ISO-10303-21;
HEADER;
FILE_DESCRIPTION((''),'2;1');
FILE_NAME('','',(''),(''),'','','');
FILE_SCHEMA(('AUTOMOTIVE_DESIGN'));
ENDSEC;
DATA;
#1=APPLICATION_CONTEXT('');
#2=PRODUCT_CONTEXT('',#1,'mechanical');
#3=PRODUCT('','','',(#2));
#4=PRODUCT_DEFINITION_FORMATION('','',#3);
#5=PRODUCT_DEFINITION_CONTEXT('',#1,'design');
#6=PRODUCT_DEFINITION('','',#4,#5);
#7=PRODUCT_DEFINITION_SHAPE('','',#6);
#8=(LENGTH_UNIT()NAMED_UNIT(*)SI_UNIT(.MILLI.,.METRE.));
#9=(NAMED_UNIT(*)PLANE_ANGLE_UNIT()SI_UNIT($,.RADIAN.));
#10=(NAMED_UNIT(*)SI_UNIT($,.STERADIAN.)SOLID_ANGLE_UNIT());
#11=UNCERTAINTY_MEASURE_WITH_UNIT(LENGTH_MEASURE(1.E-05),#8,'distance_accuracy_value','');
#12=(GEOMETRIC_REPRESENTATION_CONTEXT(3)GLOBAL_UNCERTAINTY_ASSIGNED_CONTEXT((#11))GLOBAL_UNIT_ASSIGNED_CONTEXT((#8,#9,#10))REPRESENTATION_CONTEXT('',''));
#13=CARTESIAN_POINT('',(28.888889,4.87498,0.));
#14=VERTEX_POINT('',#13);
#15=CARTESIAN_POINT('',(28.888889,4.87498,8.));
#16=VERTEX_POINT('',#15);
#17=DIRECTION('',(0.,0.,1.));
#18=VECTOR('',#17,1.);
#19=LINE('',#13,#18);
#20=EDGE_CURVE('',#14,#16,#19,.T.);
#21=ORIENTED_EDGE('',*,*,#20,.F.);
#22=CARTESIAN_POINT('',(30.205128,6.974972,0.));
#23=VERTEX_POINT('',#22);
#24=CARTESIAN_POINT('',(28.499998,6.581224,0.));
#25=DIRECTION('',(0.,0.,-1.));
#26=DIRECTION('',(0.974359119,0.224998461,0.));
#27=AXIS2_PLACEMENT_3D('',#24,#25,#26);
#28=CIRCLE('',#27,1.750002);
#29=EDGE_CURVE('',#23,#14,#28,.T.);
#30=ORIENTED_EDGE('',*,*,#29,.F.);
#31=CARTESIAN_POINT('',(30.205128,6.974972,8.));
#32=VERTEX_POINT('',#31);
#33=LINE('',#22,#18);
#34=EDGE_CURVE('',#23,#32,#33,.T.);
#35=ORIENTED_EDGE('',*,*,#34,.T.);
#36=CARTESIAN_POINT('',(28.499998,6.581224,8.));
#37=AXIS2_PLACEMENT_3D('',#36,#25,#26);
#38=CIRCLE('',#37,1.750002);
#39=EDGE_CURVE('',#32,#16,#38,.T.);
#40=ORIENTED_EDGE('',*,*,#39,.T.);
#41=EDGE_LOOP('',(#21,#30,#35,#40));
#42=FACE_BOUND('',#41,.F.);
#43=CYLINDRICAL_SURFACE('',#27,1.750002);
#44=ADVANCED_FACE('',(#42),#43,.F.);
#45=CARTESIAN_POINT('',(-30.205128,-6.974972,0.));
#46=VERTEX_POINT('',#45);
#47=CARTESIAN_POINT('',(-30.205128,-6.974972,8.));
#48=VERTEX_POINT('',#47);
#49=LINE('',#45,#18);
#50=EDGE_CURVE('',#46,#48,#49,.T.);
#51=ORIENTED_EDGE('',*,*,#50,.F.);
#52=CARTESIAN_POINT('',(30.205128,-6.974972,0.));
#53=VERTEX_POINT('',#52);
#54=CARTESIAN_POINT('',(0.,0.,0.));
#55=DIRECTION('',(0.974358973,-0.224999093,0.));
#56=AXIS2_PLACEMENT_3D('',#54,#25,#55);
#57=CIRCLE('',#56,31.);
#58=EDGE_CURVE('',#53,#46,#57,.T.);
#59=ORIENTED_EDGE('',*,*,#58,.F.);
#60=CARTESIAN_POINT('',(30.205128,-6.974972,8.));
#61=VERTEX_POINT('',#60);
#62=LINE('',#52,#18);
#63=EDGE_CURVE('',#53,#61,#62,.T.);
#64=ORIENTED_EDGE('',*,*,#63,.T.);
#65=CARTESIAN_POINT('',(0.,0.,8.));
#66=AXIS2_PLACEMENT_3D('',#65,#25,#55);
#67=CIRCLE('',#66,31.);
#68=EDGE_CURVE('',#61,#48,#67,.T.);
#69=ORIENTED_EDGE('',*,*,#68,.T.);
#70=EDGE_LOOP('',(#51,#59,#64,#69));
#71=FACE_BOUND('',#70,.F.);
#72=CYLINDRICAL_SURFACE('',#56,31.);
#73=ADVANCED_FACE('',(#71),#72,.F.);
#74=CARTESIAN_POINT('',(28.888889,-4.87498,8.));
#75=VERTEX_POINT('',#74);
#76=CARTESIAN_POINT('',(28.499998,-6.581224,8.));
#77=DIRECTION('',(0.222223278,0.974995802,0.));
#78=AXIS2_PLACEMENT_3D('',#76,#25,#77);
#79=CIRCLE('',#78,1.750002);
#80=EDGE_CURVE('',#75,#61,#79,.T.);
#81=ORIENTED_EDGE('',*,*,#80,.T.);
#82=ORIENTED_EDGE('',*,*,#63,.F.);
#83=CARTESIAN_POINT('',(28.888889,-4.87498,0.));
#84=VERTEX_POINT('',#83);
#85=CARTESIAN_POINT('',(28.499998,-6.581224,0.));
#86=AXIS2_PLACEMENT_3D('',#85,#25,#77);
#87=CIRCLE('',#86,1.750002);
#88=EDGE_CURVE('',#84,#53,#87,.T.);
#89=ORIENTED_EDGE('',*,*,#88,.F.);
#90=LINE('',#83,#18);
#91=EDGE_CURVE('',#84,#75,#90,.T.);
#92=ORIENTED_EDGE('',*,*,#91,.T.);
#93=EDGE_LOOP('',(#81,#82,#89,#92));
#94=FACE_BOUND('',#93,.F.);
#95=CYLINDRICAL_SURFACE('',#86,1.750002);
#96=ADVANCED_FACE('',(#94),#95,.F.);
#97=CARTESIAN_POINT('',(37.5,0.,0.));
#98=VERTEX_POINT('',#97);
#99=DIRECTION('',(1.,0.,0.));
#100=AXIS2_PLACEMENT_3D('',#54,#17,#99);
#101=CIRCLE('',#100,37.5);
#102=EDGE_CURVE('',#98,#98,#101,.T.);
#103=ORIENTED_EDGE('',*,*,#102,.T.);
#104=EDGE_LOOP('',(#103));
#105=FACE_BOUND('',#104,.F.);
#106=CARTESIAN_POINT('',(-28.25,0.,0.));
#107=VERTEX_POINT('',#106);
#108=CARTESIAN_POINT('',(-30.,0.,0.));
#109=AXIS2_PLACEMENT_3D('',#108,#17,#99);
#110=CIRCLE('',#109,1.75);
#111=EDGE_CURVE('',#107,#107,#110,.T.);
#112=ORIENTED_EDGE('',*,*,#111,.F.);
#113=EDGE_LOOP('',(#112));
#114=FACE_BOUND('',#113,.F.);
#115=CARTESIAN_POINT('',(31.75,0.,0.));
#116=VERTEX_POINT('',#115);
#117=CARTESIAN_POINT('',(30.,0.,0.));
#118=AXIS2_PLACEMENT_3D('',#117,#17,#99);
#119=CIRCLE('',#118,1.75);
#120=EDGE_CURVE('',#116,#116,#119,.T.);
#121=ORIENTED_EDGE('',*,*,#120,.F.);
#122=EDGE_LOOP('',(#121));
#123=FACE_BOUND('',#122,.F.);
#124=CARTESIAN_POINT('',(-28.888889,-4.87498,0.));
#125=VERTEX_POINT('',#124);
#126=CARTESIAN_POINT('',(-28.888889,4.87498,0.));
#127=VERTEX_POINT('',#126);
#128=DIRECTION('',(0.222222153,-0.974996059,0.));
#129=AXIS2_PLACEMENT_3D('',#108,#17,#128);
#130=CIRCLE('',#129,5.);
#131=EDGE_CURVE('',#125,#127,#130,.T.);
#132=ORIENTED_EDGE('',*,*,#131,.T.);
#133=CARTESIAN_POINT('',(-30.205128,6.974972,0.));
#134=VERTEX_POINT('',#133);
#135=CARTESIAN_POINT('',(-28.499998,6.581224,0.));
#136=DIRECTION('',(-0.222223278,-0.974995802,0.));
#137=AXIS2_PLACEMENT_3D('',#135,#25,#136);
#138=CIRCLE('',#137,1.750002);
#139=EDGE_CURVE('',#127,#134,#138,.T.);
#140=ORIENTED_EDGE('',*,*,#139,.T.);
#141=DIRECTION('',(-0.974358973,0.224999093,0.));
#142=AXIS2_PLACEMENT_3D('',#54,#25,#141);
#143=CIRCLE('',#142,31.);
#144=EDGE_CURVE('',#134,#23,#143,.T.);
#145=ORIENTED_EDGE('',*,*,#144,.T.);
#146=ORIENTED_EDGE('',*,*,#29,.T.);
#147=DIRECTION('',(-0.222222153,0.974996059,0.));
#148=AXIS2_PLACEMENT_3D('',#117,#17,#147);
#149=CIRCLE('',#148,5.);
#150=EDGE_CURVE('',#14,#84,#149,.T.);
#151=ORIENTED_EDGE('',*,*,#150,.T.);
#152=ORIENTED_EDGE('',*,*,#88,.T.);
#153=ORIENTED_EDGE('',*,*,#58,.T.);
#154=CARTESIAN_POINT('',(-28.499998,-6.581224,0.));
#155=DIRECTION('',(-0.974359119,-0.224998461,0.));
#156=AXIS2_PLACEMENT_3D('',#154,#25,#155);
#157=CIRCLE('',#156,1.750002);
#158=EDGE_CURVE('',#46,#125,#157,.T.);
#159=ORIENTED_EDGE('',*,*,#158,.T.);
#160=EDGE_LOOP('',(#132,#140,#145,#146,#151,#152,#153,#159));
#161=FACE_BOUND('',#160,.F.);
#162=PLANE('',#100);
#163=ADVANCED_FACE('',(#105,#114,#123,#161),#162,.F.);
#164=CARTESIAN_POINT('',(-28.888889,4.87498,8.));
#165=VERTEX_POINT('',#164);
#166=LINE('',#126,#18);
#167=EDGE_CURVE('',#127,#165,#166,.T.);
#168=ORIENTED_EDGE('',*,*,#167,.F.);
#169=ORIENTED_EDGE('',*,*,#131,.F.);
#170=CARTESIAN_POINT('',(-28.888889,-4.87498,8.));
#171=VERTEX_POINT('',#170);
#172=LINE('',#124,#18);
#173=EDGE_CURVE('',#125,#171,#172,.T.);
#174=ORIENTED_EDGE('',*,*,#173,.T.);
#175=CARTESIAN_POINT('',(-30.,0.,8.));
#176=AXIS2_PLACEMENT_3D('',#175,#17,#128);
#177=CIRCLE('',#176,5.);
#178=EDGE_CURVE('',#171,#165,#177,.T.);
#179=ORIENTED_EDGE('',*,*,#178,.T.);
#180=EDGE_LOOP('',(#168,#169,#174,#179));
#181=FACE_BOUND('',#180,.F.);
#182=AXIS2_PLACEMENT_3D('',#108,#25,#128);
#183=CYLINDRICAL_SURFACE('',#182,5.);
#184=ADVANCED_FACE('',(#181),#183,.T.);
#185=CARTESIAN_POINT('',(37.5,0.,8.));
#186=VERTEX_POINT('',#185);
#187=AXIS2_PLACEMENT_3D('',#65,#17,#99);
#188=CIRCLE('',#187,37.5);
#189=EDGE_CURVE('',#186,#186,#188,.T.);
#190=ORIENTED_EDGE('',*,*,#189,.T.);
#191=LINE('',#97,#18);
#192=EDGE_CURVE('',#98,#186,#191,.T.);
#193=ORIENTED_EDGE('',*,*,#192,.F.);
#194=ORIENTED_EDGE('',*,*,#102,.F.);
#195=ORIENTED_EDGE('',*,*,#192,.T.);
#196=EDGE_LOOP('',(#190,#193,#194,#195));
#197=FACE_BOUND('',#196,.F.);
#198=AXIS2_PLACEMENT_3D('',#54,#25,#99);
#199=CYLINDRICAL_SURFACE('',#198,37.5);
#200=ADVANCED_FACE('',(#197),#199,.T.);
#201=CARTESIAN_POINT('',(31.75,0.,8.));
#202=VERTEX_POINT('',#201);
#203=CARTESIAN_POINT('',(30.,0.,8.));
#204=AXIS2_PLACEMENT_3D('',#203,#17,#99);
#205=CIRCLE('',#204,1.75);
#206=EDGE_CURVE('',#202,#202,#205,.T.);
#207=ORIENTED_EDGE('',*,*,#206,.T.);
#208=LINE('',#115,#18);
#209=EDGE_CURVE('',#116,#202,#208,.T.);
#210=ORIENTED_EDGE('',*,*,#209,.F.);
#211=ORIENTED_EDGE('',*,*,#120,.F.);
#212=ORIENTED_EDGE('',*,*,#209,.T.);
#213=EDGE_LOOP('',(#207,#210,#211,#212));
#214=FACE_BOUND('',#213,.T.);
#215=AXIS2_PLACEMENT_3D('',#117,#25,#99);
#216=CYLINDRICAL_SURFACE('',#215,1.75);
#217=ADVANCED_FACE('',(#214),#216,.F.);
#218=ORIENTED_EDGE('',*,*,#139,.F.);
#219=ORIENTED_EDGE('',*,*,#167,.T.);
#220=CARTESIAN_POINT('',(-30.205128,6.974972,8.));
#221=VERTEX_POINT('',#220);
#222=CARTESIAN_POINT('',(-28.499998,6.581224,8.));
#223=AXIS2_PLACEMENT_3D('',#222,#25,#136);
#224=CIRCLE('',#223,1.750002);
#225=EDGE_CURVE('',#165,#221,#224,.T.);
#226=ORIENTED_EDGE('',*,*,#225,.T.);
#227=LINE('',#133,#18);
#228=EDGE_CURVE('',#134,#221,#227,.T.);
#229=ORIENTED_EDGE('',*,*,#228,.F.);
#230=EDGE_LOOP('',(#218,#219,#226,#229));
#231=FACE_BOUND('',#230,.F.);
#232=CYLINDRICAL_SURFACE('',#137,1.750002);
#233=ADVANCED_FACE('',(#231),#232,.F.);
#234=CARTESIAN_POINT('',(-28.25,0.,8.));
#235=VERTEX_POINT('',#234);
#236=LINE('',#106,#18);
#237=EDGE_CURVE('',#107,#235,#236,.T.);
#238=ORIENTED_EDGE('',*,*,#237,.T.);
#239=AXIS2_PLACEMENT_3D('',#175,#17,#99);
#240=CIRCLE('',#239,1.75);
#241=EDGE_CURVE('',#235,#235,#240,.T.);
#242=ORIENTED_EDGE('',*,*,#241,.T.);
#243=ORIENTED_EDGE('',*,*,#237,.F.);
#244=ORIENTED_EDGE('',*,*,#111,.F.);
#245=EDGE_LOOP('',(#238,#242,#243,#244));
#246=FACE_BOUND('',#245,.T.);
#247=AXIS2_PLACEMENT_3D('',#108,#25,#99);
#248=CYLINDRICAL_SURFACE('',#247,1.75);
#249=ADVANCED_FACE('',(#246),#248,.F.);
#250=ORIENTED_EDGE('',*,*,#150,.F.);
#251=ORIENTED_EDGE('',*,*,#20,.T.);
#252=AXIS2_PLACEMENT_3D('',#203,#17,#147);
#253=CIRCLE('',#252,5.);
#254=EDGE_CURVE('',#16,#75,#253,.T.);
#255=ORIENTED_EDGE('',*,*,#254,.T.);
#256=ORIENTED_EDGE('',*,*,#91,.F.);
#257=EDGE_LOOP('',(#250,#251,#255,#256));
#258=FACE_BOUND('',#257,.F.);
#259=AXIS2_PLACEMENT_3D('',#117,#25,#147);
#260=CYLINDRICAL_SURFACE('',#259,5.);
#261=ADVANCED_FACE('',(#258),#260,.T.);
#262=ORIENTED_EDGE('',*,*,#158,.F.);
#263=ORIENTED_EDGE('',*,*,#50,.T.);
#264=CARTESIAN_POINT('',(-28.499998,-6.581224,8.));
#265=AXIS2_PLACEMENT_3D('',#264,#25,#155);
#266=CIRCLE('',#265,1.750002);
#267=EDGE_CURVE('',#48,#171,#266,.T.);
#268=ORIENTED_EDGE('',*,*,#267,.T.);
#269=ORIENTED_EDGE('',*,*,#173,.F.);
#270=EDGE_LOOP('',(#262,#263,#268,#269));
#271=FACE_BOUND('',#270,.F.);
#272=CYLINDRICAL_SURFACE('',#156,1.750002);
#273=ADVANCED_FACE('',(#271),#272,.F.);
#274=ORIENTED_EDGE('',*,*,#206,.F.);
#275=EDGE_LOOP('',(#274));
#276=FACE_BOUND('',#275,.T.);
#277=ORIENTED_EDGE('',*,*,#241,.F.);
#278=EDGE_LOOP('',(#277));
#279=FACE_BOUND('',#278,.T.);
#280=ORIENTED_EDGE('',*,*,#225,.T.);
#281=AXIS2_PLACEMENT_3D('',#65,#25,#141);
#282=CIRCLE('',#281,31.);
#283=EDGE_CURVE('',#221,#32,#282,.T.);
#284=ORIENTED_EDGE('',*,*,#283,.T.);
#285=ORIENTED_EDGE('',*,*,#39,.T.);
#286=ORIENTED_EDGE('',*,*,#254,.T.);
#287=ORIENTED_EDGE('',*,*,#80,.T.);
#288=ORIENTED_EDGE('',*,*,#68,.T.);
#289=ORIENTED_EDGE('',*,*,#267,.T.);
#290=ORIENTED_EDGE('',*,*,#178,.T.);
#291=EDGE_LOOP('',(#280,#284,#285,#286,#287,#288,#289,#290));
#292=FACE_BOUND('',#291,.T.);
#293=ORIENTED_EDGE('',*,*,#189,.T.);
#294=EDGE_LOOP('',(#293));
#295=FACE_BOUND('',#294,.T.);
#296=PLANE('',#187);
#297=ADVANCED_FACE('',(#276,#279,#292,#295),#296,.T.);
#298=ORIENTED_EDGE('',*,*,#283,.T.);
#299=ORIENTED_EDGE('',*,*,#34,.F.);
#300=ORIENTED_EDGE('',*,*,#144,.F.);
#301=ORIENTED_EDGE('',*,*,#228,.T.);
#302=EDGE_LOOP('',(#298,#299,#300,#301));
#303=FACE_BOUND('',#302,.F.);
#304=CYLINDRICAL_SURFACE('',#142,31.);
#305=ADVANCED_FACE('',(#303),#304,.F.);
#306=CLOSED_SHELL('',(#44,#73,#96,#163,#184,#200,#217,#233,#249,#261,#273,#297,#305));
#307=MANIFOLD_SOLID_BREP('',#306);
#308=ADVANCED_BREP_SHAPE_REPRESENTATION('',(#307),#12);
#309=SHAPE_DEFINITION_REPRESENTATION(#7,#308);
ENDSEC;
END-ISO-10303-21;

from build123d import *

# Parameters (mm, degrees)
F0_R     = 37.5
F0_R_2   = 1.75
F1_DEPTH = 8


with BuildPart() as f1:
    # F0 (on Top) → F1 (new body)
    with BuildSketch(Plane.XY):
        Circle(F0_R)
        with Locations((-30, 0)):
            Circle(F0_R_2, mode=Mode.SUBTRACT)
        with BuildLine():
            ThreePointArc((30.205128, -6.974972), (0, -31), (-30.205128, -6.974972))
            ThreePointArc((-30.205128, -6.974972), (-29.982807, -5.651825), (-28.888889, -4.87498))
            ThreePointArc((-28.888889, -4.87498), (-25, 0), (-28.888889, 4.87498))
            ThreePointArc((-28.888889, 4.87498), (-29.982807, 5.651825), (-30.205128, 6.974972))
            ThreePointArc((-30.205128, 6.974972), (0, 31), (30.205128, 6.974972))
            ThreePointArc((30.205128, 6.974972), (29.982807, 5.651825), (28.888889, 4.87498))
            ThreePointArc((28.888889, 4.87498), (25, 0), (28.888889, -4.87498))
            ThreePointArc((28.888889, -4.87498), (29.982807, -5.651825), (30.205128, -6.974972))
        make_face(mode=Mode.SUBTRACT)
        with Locations((30, 0)):
            Circle(F0_R_2, mode=Mode.SUBTRACT)
    extrude(amount=F1_DEPTH)


solid = f1.part
